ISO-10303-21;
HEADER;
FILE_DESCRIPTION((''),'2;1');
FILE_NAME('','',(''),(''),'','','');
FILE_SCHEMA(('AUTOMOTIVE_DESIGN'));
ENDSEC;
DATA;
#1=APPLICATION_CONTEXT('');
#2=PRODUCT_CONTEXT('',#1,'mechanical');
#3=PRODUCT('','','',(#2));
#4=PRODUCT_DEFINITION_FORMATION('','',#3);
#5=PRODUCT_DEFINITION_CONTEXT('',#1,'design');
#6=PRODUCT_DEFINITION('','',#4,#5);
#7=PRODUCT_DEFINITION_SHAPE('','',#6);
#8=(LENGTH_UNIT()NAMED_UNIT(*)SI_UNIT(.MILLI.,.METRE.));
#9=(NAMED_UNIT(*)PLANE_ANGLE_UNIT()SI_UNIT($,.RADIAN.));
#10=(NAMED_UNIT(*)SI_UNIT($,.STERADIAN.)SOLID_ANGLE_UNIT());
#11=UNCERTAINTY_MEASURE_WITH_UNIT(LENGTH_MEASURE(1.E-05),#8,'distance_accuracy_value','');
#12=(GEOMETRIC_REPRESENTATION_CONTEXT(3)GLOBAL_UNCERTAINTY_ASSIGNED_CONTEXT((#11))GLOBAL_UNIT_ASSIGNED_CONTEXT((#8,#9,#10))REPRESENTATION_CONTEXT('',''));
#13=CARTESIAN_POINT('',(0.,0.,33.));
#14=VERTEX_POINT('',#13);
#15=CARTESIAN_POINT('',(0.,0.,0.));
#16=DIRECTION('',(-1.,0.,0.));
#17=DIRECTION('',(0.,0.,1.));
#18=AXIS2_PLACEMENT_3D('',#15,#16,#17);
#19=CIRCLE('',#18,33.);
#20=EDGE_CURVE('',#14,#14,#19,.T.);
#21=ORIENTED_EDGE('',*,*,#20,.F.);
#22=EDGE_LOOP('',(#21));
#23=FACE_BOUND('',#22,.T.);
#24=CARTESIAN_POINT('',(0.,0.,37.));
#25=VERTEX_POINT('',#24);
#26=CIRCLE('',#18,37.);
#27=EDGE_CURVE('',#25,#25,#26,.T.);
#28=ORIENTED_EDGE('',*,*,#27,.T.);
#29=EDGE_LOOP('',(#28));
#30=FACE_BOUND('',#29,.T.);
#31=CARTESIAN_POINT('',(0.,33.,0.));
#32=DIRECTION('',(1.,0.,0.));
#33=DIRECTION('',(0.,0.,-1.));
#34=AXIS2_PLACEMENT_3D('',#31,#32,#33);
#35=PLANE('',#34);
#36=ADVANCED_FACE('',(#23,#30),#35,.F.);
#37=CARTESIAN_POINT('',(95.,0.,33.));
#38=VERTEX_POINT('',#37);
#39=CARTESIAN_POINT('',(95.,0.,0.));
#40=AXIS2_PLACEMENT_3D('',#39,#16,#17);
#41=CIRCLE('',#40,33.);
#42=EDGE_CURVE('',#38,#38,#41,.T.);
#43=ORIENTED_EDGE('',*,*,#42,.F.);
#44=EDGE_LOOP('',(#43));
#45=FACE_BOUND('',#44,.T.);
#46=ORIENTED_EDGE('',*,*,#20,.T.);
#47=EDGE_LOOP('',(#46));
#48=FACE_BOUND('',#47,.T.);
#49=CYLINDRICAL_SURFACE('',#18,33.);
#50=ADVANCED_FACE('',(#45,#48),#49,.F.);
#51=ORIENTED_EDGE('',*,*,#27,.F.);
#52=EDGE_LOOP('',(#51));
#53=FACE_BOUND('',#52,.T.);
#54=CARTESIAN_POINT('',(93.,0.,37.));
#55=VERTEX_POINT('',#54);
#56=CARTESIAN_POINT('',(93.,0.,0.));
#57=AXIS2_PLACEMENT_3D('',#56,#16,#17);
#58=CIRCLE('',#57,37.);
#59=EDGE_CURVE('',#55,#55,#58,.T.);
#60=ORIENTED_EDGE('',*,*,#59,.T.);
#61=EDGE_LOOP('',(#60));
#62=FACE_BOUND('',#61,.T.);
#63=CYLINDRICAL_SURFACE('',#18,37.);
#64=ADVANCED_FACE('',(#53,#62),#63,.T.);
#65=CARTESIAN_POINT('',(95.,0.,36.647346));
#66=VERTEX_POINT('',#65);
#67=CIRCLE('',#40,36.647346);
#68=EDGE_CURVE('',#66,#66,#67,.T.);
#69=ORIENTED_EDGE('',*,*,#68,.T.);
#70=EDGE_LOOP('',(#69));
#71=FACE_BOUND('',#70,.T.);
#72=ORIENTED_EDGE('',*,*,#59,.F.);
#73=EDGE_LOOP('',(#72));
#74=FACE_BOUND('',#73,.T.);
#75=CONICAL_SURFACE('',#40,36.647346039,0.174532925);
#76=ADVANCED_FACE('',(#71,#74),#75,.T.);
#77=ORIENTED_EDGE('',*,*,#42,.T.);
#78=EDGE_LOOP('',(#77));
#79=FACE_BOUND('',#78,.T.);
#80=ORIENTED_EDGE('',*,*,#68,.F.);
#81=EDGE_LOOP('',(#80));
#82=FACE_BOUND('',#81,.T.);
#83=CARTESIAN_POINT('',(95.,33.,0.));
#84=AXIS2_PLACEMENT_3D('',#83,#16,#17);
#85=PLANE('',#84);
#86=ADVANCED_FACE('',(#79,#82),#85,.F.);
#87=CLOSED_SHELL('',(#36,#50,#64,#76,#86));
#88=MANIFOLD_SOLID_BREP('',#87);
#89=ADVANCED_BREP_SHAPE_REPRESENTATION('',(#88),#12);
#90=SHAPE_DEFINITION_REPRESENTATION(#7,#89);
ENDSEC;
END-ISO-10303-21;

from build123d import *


with BuildPart() as part:
    # Эскиз1 → Повернуть1 (revolve)
    with BuildSketch(Plane.XY, mode=Mode.PRIVATE) as revolve_1_sk:
        Polygon((93, 37), (95, 36.647346039), (95, 33), (0, 33), (0, 37), align=None)
    revolve(revolve_1_sk.sketch.rotate(Axis((0, 0, 0), (1, 0, 0)), 90), axis=Axis((0, 0, 0), (1, 0, 0)))


solid = part.part
